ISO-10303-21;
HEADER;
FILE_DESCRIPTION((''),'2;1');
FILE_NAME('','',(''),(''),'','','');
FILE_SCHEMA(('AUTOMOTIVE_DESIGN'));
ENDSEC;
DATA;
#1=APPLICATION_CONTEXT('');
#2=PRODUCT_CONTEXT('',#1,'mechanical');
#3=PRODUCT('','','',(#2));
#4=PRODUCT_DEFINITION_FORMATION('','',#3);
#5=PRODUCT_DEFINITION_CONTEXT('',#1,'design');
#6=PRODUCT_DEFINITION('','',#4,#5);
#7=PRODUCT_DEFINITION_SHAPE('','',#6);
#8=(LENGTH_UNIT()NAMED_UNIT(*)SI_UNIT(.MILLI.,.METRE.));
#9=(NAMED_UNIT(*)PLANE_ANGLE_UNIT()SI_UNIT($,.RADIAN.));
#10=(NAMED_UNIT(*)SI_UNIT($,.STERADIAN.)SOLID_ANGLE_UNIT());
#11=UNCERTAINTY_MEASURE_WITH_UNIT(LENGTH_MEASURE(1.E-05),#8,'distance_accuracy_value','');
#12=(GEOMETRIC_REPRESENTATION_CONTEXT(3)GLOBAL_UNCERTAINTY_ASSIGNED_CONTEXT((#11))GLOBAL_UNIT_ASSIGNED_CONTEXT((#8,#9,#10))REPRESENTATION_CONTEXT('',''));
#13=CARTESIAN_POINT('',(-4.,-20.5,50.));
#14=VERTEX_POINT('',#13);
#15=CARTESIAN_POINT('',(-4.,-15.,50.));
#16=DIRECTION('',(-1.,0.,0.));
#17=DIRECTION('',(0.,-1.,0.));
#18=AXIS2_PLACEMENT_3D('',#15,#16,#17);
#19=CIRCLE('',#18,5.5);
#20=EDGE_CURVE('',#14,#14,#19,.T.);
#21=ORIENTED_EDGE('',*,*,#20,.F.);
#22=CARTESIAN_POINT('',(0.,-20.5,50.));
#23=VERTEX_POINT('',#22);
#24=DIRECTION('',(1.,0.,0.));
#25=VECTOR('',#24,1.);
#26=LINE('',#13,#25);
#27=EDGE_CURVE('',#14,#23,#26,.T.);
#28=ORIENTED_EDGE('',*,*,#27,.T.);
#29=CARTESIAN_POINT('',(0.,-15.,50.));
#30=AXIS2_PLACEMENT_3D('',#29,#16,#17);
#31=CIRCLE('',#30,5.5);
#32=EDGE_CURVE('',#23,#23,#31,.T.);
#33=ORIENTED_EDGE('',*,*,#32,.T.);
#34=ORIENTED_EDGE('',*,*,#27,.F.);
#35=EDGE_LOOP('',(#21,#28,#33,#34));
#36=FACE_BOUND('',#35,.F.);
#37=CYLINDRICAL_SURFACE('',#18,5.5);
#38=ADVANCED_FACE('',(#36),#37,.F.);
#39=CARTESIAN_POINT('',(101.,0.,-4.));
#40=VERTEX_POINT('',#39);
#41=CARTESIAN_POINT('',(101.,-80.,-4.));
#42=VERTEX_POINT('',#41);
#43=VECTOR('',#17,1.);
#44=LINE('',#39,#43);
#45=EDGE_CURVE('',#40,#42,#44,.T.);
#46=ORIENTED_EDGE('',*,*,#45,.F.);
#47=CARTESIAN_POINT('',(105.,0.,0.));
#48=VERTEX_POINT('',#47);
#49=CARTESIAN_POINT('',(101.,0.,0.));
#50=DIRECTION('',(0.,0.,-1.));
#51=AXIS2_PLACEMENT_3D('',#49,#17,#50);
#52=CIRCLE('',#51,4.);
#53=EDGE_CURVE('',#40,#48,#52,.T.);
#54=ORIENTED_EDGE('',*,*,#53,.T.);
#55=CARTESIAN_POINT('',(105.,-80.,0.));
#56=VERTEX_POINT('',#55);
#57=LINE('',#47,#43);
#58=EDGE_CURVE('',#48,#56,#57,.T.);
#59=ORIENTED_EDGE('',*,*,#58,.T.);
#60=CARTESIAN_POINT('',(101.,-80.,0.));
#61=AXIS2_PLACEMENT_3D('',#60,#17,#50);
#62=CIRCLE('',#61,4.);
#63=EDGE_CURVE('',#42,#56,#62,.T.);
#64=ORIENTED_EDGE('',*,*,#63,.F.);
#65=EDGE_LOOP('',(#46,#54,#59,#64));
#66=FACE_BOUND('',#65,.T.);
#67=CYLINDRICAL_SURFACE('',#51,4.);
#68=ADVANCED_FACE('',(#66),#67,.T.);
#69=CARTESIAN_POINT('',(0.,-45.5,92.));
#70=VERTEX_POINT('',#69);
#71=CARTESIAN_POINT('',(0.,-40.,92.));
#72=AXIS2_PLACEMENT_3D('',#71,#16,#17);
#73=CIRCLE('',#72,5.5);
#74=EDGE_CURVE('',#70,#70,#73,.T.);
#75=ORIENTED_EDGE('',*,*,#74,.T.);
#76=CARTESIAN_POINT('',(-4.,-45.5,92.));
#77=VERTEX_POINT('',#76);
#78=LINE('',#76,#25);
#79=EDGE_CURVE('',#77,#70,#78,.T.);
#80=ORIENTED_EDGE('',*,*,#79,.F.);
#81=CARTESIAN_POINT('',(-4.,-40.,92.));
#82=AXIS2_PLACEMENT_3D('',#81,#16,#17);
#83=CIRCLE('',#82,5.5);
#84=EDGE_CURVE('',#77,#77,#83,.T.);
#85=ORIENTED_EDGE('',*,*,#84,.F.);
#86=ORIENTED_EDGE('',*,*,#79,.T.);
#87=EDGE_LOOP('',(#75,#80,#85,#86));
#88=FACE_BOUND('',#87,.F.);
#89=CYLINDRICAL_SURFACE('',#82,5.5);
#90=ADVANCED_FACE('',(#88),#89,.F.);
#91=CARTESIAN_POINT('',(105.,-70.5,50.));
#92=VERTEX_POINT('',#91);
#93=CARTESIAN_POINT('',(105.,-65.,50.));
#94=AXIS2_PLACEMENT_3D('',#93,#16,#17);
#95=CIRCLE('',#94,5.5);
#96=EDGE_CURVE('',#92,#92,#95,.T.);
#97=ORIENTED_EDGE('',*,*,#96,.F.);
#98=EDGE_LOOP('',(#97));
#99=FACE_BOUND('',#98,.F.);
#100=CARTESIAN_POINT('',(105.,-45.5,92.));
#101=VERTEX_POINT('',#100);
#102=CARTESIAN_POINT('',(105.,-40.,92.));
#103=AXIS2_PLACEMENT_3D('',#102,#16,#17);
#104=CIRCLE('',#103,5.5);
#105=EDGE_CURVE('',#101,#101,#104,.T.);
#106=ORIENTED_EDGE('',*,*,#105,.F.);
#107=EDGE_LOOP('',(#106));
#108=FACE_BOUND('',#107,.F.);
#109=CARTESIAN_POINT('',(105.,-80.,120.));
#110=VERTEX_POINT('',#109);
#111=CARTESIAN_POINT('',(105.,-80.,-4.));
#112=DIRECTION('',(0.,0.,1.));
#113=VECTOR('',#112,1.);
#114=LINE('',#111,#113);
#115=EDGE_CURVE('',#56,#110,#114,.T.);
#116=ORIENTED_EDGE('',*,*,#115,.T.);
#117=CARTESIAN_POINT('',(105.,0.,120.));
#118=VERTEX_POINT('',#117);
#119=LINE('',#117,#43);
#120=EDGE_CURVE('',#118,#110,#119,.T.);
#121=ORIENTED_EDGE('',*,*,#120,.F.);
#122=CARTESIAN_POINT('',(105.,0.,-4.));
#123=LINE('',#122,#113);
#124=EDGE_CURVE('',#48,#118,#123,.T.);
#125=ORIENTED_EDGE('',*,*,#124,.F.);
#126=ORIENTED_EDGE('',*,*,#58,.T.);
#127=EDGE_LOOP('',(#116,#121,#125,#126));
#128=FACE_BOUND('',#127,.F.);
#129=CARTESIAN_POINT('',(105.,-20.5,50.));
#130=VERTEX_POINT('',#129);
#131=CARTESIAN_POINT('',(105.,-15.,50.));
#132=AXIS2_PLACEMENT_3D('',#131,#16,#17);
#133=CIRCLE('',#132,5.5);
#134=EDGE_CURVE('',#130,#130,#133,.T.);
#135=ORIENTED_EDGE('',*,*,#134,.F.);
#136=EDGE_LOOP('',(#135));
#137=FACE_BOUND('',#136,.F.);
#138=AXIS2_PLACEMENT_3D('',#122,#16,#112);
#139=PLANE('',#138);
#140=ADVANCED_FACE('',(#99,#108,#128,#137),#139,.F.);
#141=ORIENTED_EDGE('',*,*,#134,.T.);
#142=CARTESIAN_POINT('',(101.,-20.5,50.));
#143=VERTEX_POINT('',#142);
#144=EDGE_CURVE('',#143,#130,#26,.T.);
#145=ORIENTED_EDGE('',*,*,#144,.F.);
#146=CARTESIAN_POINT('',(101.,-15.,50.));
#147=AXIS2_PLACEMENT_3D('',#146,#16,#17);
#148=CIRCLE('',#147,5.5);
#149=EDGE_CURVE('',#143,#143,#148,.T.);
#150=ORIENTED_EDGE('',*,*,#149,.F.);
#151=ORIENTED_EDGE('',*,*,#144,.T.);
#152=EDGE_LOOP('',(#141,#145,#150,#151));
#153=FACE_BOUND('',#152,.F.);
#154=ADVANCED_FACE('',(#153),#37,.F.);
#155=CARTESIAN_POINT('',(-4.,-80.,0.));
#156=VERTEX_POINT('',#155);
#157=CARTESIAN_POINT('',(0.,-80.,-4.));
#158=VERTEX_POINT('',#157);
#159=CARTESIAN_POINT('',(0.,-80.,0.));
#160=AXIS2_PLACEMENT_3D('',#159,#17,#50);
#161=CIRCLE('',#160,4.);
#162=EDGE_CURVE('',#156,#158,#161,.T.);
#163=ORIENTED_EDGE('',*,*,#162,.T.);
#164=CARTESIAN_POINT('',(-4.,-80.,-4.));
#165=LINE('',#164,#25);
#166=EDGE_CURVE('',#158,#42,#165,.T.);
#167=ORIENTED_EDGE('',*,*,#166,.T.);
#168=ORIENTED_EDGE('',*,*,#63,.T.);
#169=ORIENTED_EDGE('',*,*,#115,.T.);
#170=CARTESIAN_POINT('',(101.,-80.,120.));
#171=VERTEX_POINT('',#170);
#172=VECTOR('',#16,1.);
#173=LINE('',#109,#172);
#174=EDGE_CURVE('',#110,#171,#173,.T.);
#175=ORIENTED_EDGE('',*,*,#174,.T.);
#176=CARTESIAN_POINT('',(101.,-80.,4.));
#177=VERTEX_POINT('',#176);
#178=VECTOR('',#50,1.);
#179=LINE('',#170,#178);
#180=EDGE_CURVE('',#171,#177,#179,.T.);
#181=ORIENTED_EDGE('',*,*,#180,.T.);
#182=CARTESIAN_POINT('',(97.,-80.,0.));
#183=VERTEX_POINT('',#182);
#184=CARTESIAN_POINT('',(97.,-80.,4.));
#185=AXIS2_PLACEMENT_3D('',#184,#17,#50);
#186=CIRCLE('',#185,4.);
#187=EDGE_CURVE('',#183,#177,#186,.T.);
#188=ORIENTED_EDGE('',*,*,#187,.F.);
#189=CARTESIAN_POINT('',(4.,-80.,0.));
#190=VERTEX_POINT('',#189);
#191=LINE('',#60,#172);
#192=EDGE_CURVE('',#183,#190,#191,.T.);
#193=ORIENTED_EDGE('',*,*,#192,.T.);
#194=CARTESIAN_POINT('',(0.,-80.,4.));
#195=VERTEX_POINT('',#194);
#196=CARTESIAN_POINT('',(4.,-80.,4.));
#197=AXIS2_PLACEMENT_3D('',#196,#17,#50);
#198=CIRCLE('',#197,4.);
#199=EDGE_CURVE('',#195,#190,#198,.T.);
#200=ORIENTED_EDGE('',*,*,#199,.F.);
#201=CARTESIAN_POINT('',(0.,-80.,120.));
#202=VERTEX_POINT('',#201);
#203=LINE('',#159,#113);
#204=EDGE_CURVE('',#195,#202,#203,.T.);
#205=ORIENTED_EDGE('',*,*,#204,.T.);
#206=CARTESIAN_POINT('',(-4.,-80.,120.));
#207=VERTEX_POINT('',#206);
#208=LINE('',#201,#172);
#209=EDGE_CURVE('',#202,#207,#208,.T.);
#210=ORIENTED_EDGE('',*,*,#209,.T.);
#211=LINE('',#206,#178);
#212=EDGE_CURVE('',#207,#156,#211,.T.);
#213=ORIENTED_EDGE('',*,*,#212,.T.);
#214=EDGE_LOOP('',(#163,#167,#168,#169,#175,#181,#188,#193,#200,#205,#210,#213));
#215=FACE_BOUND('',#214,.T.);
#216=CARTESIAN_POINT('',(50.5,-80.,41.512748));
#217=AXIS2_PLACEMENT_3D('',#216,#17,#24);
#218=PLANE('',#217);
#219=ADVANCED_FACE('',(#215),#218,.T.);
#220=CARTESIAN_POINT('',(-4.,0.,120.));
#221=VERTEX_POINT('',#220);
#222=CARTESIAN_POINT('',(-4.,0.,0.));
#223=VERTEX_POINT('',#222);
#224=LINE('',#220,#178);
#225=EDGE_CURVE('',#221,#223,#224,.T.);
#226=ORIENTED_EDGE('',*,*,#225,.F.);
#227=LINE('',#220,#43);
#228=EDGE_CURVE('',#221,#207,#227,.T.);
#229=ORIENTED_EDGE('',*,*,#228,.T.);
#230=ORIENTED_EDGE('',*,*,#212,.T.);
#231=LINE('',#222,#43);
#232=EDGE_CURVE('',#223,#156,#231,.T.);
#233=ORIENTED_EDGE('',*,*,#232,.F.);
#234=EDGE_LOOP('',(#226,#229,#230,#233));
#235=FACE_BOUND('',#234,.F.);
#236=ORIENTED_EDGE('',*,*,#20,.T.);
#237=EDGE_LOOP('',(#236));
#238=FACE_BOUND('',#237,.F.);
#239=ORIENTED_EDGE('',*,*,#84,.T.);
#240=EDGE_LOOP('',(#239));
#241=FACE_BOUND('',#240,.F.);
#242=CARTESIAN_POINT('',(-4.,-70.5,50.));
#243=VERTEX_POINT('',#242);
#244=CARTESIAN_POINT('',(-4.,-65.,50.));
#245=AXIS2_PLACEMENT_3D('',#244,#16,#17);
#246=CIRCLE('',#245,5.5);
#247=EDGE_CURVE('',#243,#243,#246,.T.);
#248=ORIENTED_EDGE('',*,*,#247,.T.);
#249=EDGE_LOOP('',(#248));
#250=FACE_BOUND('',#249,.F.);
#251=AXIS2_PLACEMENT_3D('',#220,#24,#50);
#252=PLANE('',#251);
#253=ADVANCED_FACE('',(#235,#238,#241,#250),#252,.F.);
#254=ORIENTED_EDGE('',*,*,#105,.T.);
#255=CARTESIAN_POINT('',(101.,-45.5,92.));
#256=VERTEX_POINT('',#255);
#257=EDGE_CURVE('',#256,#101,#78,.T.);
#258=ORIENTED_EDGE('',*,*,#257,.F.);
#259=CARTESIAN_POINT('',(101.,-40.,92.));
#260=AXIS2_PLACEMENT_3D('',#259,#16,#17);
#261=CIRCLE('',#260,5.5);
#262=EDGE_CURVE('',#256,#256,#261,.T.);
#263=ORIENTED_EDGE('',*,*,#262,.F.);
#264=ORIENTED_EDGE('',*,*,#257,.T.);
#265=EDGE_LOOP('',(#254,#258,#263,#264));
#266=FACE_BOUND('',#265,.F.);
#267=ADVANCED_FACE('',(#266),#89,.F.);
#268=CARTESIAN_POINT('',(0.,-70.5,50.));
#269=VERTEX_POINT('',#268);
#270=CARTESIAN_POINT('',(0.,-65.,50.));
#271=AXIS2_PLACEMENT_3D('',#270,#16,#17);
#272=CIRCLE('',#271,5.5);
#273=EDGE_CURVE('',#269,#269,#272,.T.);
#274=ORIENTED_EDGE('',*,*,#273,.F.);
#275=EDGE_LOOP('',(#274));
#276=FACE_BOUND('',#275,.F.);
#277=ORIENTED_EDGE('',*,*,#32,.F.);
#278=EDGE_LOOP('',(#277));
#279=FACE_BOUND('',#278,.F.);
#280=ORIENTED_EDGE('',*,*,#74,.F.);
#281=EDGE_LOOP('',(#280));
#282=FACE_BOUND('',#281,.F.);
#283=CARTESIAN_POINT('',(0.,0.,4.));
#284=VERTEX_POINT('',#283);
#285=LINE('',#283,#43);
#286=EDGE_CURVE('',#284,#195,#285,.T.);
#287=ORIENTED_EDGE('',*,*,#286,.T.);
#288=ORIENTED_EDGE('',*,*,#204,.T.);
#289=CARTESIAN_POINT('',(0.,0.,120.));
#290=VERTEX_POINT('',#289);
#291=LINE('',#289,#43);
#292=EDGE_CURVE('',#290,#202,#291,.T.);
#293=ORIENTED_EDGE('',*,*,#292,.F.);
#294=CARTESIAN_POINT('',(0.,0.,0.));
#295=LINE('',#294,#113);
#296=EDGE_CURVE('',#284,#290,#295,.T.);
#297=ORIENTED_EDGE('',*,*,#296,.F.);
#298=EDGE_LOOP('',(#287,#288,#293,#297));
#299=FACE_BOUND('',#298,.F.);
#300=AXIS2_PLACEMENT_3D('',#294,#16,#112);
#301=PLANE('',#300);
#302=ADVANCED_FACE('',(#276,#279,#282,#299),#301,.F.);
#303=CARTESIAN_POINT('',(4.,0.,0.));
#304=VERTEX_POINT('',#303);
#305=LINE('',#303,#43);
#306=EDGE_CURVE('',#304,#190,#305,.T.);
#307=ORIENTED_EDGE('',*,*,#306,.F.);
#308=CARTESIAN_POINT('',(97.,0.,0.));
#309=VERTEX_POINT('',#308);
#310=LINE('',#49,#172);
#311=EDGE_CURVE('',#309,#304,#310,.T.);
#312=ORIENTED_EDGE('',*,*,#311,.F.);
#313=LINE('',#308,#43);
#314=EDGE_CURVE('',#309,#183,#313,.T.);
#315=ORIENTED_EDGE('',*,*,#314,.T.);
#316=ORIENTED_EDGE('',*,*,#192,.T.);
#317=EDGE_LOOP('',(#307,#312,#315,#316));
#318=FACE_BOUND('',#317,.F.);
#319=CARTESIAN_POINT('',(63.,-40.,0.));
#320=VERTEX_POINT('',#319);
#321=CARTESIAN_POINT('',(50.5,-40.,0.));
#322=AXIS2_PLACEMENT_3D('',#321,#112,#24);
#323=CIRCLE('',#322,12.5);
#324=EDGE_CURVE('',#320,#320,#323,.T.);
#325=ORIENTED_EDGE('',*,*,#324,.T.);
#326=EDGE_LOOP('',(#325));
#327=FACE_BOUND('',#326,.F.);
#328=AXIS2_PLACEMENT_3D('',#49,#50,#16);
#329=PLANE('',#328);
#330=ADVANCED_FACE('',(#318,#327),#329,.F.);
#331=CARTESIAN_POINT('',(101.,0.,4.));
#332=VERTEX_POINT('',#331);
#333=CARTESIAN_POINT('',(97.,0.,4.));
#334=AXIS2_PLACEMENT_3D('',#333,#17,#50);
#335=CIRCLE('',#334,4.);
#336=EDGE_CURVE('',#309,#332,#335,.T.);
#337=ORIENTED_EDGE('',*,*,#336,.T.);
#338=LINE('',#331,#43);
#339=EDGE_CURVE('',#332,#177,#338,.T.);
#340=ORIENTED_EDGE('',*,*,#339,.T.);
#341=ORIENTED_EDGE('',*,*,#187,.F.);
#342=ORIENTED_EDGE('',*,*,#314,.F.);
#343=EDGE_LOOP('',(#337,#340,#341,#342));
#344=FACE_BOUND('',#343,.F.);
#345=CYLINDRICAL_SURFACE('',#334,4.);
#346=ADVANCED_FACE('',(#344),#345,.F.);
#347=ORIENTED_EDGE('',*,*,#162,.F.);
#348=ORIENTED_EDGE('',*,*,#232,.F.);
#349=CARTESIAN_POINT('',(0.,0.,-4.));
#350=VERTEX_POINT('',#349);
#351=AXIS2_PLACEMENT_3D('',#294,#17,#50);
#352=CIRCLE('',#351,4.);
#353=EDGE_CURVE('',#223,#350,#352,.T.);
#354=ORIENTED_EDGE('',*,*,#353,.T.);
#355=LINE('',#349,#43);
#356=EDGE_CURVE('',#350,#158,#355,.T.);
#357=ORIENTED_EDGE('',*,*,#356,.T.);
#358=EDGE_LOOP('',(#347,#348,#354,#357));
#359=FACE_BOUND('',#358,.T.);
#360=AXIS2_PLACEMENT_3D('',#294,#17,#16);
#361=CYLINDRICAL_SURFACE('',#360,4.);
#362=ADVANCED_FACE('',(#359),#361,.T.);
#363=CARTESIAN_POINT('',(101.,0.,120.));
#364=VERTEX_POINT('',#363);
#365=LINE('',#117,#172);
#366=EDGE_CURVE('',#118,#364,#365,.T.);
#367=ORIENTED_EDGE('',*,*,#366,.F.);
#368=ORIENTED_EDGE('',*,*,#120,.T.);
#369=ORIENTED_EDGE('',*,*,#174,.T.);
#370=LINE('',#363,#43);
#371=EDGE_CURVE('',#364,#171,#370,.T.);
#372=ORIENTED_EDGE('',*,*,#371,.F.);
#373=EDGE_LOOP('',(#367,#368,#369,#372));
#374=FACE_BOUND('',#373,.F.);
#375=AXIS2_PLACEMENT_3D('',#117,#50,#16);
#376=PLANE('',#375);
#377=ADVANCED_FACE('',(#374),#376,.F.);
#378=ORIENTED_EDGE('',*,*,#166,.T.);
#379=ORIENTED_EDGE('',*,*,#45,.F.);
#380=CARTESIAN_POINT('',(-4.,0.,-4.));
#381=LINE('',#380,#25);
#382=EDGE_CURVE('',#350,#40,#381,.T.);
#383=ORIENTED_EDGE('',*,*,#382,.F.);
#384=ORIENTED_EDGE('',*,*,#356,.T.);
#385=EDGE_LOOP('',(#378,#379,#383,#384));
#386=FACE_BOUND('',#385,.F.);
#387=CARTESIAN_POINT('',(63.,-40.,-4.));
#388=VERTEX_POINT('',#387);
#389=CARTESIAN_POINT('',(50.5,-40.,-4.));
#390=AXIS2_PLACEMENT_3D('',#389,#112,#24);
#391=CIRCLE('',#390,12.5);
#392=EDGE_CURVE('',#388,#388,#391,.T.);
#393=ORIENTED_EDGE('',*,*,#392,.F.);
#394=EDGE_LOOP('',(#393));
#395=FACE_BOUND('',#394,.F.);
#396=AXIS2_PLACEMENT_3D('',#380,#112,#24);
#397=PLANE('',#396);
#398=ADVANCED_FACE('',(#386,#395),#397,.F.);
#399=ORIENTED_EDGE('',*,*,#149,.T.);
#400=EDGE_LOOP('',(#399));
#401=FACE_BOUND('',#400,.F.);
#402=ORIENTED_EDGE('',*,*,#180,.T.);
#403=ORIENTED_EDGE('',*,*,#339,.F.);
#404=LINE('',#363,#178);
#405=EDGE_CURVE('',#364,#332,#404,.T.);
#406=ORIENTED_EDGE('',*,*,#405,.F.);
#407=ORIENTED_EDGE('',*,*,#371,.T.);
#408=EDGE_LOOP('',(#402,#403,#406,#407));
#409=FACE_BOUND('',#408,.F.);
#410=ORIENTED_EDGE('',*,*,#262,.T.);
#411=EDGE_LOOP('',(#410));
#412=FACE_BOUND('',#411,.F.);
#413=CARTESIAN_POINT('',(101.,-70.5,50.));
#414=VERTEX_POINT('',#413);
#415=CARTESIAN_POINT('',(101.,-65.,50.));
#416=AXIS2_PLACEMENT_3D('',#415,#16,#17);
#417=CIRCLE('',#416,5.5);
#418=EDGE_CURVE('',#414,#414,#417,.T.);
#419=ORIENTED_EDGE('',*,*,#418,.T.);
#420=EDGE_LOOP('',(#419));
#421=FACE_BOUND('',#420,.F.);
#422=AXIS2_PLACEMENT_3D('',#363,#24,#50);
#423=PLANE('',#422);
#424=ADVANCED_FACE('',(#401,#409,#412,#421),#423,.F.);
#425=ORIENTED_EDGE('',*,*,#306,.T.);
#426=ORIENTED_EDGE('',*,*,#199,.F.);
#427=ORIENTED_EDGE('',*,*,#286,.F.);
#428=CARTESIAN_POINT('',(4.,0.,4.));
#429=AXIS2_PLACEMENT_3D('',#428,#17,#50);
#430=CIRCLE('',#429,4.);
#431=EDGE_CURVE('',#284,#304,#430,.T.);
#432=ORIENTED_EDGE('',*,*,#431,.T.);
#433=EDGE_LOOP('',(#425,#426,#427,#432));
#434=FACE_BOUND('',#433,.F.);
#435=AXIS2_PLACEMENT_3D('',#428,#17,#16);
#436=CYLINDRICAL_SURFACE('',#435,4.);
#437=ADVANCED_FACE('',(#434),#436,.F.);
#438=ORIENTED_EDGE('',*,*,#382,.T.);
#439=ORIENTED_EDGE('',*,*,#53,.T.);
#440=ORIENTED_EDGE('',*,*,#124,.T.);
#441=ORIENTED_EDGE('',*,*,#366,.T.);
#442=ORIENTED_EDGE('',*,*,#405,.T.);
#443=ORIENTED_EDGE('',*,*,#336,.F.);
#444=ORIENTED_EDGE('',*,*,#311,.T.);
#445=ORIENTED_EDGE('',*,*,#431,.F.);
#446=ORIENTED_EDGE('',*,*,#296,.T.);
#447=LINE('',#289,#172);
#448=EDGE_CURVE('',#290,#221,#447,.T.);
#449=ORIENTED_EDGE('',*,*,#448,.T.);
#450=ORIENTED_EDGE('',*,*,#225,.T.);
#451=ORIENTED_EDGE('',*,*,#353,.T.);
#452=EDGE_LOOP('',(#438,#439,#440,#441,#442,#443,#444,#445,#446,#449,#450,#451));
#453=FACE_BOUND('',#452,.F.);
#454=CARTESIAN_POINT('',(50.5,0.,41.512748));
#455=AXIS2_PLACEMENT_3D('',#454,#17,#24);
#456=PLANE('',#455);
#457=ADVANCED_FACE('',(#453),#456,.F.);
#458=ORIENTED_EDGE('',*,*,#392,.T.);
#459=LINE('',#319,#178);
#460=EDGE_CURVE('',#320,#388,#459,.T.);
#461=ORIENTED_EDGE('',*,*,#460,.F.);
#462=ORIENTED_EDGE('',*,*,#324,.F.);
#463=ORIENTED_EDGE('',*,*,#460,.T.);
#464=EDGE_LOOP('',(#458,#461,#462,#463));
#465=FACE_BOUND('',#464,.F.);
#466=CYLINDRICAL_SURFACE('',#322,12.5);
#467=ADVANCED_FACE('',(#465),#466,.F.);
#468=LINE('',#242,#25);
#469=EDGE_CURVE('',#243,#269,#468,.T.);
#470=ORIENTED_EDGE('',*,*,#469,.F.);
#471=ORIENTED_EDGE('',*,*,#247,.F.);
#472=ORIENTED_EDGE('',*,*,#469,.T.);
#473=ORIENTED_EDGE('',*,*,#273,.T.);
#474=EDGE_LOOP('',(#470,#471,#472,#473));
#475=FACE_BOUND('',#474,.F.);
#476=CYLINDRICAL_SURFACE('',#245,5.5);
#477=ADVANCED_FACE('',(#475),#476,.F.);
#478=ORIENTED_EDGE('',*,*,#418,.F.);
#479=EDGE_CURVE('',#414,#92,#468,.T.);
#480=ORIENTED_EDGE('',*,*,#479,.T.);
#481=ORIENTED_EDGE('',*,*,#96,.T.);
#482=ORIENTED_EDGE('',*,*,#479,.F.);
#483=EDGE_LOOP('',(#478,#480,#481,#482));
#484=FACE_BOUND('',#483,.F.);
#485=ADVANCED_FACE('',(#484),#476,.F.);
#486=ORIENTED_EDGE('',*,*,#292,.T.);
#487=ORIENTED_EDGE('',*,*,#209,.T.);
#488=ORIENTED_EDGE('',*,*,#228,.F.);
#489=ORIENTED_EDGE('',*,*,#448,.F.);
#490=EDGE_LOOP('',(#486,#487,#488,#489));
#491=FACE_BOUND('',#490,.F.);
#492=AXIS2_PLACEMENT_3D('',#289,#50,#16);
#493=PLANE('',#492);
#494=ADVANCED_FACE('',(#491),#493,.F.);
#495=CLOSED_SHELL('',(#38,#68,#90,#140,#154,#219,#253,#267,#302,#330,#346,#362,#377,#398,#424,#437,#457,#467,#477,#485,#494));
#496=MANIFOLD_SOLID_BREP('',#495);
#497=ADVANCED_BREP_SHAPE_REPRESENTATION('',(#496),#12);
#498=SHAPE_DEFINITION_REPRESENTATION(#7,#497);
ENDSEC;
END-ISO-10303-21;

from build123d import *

# Parameters (mm, degrees)
F1_DEPTH = 80
F2_R     = 12.5
F3_DEPTH = 4.001
F4_R     = 5.5
F5_DEPTH = 109.001
F6_R     = 4


with BuildPart() as f1:
    # F0 (on Front) → F1 (new body)
    with BuildSketch(Plane.XZ):
        Polygon((0, 0), (0, 120), (-4, 120), (-4, -4), (105, -4), (105, 120), (101, 120), (101, 0), align=None)
    extrude(amount=F1_DEPTH)

    # F2 (on face) → F3 (cut, through all)
    with BuildSketch(Plane.XY):
        with Locations((50.5, -40)):
            Circle(F2_R)
    extrude(amount=-F3_DEPTH, mode=Mode.SUBTRACT)

    # F4 (on face) → F5 (cut, through all)
    with BuildSketch(Plane(origin=(-4, 0, 0), x_dir=(0, -1, 0), z_dir=(-1, 0, 0))):
        with Locations((65, 50)):
            Circle(F4_R)
        with Locations((40, 92)):
            Circle(F4_R)
        with Locations((15, 50)):
            Circle(F4_R)
    extrude(amount=-F5_DEPTH, mode=Mode.SUBTRACT)

    # F6
    f6_edges = [f1.edges().sort_by_distance(p)[0] for p in [
        (0, -40, 0),
        (101, -40, 0),
        (-4, -40, -4),
        (105, -40, -4),
    ]]
    fillet(f6_edges, radius=F6_R)


solid = f1.part
